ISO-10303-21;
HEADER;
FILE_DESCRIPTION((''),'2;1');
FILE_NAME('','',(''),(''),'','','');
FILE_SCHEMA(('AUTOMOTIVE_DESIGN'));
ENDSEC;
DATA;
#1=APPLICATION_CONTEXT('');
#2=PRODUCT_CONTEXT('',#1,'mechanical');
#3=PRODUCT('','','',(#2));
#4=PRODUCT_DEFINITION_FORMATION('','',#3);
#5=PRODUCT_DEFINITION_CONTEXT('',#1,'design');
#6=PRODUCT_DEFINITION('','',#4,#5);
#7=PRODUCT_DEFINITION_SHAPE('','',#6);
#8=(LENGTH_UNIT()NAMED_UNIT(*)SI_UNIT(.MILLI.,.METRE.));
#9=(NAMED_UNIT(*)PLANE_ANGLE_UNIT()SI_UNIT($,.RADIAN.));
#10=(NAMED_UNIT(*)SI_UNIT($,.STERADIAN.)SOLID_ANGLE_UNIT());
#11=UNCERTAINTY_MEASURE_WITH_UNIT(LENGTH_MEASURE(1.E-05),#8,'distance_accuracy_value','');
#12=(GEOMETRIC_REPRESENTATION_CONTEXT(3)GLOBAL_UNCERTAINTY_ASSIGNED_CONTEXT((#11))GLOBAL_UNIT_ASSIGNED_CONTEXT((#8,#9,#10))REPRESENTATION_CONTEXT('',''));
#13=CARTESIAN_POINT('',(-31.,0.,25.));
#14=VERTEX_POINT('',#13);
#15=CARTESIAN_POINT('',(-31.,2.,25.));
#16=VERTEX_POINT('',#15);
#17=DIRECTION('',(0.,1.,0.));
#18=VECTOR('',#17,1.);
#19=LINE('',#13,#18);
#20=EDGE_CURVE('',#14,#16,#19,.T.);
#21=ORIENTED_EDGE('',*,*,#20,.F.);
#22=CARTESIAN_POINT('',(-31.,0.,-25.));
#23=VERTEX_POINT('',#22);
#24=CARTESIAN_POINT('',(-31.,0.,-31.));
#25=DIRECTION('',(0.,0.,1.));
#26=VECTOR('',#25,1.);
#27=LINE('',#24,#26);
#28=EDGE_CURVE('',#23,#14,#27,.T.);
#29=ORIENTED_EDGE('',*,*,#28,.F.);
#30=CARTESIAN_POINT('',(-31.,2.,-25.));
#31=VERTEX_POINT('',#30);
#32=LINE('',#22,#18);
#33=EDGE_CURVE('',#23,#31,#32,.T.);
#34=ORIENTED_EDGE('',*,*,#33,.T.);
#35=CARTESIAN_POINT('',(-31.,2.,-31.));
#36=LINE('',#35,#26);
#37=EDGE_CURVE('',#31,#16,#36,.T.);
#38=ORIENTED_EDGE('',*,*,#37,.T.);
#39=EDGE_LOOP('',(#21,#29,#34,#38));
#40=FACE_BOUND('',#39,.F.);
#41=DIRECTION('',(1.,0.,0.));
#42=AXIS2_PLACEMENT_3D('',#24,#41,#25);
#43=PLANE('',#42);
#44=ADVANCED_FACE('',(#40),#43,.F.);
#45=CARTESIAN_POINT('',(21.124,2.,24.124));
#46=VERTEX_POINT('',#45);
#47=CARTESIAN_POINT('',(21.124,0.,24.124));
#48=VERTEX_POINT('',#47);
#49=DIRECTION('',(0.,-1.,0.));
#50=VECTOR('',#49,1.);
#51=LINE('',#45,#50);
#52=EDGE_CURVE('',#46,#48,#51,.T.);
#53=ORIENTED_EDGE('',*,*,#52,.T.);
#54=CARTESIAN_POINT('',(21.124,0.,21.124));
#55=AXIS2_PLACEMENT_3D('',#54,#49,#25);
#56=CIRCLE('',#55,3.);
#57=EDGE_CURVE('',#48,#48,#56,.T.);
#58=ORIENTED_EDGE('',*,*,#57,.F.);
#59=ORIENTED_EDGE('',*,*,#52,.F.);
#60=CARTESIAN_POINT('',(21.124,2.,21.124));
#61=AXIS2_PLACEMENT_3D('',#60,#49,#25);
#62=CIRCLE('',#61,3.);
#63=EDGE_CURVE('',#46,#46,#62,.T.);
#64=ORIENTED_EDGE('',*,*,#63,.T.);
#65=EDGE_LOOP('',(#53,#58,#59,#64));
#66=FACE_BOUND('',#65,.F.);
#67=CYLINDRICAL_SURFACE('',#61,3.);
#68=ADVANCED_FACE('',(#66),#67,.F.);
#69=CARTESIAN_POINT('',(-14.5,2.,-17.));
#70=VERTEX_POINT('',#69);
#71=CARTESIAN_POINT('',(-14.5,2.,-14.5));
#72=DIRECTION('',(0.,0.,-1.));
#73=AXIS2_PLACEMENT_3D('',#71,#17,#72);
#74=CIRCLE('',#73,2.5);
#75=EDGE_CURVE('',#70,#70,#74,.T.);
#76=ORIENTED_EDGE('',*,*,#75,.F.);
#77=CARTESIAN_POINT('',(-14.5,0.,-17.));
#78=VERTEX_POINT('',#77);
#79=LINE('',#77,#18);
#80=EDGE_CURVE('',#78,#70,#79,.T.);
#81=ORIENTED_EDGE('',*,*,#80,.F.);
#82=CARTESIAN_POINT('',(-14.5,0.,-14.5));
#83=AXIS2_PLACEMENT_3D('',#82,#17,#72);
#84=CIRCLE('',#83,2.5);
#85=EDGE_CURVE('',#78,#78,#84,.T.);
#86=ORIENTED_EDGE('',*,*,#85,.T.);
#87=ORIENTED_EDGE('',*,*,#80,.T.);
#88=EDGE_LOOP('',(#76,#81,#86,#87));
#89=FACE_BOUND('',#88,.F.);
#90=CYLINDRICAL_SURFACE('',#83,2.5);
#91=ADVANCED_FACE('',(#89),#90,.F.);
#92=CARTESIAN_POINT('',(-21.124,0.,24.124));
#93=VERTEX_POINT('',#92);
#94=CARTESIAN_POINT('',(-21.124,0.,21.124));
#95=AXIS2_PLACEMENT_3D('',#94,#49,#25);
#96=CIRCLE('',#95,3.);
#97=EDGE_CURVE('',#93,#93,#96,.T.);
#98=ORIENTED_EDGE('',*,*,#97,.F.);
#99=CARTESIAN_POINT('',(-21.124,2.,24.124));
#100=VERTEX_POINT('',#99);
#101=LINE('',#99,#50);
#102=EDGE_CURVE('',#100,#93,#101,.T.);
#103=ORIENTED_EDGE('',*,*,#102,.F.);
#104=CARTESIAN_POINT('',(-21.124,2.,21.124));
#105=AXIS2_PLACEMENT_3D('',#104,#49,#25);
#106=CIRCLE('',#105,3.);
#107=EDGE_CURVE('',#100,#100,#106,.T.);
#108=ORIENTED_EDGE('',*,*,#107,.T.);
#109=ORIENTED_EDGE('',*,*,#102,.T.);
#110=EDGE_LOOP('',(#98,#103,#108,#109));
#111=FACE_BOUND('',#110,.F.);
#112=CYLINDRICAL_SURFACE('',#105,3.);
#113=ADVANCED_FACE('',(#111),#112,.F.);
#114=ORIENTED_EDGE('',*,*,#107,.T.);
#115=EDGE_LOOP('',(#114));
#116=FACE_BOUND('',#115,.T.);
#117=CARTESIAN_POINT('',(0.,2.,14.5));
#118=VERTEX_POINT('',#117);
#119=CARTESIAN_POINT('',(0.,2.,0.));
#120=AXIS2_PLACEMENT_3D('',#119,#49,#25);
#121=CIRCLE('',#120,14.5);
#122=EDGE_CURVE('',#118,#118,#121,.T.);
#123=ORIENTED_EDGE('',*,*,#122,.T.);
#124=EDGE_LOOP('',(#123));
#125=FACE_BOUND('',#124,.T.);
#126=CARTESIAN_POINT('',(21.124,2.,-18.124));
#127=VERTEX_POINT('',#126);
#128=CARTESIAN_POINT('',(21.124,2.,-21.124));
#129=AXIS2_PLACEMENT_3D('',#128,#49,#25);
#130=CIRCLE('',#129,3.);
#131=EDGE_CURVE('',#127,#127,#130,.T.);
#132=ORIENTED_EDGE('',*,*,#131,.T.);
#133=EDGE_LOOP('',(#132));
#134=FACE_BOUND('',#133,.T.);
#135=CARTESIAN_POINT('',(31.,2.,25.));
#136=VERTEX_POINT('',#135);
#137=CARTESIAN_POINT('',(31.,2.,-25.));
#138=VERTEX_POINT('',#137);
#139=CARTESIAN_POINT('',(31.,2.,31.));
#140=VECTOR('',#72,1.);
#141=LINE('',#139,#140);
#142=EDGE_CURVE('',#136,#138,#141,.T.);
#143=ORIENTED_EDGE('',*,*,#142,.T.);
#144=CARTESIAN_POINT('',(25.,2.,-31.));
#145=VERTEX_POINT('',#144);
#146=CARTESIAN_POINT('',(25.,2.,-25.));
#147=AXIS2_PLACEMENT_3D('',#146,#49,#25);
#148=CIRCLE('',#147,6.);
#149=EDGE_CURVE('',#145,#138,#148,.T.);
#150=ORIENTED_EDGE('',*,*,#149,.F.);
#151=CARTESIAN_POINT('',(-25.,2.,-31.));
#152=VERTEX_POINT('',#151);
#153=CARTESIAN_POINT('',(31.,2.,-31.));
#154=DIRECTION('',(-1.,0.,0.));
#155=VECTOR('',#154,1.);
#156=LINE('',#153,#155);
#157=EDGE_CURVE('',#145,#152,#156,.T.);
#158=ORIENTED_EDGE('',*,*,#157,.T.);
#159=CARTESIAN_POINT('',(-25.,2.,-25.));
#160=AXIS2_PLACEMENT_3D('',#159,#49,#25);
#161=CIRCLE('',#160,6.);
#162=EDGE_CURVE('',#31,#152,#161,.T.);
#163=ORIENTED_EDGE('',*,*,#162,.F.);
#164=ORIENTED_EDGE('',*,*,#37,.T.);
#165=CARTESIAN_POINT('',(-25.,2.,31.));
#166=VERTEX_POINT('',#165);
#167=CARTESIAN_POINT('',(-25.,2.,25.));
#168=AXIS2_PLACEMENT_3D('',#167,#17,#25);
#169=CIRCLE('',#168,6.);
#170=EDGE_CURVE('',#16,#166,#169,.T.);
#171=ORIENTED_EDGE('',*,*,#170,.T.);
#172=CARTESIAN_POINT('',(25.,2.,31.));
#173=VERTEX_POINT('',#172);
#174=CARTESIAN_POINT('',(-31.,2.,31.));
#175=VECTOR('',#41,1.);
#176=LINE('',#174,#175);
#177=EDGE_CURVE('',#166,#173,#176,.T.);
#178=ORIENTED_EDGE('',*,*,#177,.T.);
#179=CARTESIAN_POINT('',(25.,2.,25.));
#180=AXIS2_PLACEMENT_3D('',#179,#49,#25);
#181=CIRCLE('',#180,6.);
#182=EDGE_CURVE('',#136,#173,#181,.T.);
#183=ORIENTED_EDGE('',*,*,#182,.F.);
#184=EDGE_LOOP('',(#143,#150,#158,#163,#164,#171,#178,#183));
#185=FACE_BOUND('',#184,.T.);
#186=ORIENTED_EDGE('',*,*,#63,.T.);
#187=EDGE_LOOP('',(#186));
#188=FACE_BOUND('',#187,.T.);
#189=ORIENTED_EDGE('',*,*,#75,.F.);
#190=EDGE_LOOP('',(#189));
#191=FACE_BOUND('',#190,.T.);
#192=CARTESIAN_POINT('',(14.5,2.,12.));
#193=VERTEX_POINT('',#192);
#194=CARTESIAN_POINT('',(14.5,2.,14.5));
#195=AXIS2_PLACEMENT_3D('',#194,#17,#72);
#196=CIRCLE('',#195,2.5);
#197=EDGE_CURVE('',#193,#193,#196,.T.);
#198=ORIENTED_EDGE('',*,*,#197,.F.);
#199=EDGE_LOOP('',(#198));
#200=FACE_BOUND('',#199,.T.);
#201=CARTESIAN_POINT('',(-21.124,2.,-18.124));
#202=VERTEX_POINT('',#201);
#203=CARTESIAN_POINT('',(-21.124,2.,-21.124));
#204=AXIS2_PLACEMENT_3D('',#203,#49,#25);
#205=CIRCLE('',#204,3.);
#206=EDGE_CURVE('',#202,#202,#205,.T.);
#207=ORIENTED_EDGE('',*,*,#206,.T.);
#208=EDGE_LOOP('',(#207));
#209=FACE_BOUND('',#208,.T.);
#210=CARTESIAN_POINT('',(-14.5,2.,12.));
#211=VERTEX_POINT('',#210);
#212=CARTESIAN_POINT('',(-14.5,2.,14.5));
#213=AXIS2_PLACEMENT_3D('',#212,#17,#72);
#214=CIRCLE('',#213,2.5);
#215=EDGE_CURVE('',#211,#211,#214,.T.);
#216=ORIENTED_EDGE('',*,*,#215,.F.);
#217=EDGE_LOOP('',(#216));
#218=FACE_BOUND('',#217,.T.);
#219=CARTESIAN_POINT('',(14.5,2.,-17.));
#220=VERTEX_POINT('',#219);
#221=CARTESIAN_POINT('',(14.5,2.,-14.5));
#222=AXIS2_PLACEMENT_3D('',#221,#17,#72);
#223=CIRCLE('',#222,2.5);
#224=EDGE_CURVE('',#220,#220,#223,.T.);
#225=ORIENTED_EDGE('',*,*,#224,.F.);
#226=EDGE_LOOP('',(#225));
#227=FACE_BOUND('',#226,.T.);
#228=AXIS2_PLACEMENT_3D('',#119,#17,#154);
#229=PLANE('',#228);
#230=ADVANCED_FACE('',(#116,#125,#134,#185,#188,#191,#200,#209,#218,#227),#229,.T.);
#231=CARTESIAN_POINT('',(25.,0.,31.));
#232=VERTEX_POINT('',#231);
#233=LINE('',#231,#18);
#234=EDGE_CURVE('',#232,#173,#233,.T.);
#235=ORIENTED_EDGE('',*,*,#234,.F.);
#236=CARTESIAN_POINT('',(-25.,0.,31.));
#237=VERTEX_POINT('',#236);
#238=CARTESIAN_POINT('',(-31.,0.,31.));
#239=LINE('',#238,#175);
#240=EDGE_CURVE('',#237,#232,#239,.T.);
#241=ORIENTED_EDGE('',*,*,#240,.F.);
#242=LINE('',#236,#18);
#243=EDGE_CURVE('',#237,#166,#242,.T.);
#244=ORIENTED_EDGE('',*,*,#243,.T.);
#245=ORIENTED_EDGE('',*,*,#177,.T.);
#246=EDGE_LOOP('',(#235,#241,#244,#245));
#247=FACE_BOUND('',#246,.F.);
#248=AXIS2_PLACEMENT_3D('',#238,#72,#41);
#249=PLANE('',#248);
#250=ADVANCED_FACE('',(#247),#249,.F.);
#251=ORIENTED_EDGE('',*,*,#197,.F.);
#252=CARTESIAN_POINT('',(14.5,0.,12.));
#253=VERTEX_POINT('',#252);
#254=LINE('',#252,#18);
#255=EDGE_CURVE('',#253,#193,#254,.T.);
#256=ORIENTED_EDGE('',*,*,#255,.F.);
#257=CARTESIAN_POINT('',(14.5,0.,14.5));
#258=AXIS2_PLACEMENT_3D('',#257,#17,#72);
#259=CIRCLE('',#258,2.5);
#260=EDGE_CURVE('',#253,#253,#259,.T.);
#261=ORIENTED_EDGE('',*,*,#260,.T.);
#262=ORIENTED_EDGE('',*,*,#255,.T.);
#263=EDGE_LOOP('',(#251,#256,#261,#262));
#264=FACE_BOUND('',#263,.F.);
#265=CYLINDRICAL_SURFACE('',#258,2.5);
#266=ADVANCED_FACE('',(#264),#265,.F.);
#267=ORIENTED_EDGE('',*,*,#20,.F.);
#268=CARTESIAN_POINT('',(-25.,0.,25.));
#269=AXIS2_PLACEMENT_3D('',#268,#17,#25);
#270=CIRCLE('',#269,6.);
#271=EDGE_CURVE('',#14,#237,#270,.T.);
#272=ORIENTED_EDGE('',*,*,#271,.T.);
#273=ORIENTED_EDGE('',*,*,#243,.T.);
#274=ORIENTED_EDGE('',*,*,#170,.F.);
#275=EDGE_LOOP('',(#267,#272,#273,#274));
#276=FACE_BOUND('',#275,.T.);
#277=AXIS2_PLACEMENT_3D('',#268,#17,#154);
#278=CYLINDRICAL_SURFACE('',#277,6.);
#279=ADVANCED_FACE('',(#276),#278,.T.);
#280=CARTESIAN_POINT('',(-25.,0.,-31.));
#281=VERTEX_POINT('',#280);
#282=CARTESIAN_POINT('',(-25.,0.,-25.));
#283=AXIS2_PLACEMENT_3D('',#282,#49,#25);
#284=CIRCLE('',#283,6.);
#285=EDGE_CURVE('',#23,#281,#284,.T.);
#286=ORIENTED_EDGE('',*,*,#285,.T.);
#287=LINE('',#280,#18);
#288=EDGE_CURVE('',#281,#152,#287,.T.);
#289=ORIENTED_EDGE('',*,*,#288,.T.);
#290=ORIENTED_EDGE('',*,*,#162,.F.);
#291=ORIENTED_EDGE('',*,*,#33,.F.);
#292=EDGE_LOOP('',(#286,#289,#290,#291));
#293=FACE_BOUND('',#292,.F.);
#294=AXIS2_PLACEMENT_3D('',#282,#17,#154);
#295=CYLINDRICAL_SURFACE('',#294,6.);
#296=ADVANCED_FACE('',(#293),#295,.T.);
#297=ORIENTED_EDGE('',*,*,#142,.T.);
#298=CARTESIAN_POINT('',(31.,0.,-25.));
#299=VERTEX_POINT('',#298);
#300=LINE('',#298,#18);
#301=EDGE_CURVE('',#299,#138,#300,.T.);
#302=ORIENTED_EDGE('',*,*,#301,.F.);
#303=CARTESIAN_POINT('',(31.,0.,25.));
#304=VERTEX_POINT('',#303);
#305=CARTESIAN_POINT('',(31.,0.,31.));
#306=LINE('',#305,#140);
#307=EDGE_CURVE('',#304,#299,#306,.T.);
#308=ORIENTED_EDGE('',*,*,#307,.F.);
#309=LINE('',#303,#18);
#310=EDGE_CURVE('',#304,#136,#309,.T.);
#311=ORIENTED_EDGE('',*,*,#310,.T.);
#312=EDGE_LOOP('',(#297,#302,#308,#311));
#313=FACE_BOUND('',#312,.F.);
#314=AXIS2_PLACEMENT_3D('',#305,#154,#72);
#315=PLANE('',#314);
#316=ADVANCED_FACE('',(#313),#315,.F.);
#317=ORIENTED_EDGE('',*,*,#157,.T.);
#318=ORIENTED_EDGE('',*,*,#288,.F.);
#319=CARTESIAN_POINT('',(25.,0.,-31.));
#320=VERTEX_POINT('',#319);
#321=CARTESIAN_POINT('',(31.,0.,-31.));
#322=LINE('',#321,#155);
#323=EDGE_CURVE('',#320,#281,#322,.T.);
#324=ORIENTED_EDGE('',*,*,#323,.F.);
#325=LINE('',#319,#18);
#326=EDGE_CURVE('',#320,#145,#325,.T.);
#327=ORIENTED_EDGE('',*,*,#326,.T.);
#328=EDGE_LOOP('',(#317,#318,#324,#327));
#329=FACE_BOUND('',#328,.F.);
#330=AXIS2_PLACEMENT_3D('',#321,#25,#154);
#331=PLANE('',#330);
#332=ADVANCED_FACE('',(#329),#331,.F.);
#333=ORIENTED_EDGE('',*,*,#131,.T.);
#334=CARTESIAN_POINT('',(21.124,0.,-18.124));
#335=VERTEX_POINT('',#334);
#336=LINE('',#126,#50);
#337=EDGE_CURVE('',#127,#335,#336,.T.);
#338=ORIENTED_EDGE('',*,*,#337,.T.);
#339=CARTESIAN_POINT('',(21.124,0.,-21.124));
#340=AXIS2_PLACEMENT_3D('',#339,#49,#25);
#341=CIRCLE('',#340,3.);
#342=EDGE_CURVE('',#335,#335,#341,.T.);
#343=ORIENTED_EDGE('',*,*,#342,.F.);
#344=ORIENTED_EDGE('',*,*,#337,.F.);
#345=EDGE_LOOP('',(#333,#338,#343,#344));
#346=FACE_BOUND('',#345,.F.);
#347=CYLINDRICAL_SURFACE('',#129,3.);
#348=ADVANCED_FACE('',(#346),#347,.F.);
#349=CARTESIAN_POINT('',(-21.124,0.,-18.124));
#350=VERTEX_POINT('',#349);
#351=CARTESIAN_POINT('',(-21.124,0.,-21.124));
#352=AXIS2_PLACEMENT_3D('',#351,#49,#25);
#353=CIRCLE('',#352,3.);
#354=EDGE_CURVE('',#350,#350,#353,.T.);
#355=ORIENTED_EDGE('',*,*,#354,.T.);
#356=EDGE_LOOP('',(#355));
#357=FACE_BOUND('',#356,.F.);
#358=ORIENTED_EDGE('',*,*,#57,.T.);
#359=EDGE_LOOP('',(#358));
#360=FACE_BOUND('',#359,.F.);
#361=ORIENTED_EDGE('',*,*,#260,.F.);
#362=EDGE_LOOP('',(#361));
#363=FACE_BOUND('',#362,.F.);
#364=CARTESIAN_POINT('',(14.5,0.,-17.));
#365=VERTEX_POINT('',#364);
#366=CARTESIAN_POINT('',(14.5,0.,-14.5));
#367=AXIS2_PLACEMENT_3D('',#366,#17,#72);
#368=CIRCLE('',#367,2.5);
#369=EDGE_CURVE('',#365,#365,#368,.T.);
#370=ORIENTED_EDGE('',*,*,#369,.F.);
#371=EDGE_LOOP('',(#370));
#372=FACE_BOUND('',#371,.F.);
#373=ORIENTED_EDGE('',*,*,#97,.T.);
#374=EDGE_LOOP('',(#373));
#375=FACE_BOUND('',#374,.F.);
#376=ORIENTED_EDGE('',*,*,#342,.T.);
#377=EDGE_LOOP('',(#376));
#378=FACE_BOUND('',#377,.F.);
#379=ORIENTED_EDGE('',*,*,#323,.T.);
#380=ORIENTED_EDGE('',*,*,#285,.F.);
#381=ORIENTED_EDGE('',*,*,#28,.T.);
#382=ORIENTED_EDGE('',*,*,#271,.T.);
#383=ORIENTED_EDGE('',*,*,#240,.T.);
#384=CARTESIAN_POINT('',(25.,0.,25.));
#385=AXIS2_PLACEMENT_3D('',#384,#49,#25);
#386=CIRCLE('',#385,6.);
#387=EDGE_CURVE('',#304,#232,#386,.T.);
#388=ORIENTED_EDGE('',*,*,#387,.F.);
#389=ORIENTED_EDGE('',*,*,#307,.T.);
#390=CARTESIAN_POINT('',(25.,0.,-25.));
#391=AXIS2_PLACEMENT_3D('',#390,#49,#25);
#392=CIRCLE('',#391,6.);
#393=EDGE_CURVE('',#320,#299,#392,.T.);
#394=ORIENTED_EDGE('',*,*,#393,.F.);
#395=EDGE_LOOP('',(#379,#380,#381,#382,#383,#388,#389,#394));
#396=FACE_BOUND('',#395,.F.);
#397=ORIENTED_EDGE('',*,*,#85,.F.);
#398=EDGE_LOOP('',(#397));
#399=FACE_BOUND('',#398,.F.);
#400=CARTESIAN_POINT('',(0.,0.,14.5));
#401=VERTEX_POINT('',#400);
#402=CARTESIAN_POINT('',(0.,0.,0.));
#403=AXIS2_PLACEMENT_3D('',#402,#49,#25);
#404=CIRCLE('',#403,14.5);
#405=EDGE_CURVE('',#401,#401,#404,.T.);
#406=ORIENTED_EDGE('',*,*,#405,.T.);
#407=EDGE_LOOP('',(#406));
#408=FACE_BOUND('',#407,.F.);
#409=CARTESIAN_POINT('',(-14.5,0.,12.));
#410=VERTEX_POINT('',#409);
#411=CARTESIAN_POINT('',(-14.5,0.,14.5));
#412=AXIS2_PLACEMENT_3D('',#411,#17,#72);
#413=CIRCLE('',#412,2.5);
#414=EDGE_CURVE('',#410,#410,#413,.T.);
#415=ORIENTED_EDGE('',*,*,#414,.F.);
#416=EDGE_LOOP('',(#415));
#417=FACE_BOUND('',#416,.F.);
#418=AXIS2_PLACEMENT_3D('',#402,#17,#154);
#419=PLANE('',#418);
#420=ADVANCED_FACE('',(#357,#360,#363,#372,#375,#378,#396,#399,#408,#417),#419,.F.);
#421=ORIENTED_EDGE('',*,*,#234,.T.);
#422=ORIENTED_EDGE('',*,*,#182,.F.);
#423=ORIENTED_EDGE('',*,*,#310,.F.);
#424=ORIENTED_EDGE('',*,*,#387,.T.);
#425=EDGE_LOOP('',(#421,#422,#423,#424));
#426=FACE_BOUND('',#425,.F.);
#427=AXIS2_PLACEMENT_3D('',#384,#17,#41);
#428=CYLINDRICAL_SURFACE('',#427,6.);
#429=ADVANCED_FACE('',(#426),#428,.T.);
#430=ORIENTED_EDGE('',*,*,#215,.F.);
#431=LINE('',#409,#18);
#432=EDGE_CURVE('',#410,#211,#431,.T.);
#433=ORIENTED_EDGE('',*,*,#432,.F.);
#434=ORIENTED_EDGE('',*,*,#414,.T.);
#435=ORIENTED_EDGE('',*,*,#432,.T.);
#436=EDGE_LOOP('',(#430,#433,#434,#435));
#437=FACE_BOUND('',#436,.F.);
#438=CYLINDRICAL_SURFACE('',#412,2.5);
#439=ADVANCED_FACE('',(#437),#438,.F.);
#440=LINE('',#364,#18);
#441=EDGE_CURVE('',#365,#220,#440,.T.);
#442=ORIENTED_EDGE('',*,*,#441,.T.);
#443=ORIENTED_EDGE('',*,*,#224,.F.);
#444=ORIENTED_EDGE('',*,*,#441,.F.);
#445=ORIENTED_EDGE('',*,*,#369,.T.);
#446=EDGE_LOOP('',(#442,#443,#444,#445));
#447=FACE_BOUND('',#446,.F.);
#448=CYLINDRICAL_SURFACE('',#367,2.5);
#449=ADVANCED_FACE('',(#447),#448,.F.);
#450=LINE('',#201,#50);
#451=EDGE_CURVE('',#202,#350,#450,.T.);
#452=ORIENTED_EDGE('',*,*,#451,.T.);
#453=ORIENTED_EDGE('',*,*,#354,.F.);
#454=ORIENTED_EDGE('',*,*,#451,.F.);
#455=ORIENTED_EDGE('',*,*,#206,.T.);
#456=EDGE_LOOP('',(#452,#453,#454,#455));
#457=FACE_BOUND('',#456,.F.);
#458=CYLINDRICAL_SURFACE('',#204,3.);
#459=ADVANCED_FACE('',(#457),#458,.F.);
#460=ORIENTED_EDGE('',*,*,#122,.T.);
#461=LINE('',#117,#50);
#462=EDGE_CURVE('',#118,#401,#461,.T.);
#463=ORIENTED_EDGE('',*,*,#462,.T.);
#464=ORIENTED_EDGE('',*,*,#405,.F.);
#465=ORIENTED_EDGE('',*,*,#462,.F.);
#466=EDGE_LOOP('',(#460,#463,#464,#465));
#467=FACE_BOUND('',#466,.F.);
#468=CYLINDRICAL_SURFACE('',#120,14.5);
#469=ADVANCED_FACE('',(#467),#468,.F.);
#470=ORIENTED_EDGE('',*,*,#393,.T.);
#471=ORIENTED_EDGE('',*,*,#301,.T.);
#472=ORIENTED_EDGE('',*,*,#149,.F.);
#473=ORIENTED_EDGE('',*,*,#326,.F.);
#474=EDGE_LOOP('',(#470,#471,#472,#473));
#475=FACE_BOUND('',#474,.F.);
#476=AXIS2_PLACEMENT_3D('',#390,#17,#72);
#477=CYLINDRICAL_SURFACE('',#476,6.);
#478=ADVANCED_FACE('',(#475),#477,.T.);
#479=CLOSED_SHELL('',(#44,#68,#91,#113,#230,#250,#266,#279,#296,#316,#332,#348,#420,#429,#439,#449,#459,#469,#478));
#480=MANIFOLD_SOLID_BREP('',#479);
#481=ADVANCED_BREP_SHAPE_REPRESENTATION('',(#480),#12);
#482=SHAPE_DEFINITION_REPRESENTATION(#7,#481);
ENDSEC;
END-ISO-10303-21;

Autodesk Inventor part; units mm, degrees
ref_plane "YZ Plane" through (0, 0, 0) normal (1, 0, 0) x (0, 1, 0)
ref_plane "XZ Plane" through (0, 0, 0) normal (0, 1, 0) x (-1, 0, 0)
ref_plane "XY Plane" through (0, 0, 0) normal (0, 0, 1) x (1, 0, 0)
sketch "Skizze1" plane through (0, 0, 0) normal (0, 1, 0) x (-1, 0, 0)
  line L0 (31, 31) -> (-31, 31)
  line L1 (-31, 31) -> (-31, -31)
  line L2 (-31, -31) -> (31, -31)
  line L3 (31, -31) -> (31, 31)
  line L4 (31, 31) -> (-31, -31) construction
  line L5 (-31, 31) -> (31, -31) construction
  point P0 (0, 0)
  dimension "d0" = 62
  dimension "d1" = 62
extrude "Extrusion1" add sketch "Skizze1" along normal blind 2
fillet "Rundung1" radius 6 4 edges at (-31, 1, 31) (31, 1, 31) (31, 1, -31) (-31, 1, -31)
sketch "Skizze2" plane through (0, 2, 0) normal (0, 1, 0) x (1, 0, 0)
  line L0 (-25, -31) -> (25, -31) projected
  line L1 (0, -31) -> (0, 31) construction
  line L2 (25, 31) -> (-25, 31) projected
  line L3 (31, -25) -> (31, 25) projected
  line L4 (31, 0) -> (-31, 0) construction
  line L5 (-31, 25) -> (-31, -25) projected
  point P0 (0, 0)
  point P1 (21.124, 21.124)
  point P2 (21.124, -21.124)
  point P3 (-21.124, 21.124)
  point P4 (-21.124, -21.124)
  dimension "d37" = 42.248
  dimension "d38" = 42.248
  dimension "d39" = 42.248
hole "Bohrung1" at (21.124, 2, -21.124) at (21.124, 2, 21.124) at (-21.124, 2, -21.124) at (-21.124, 2, 21.124) direction (0, -1, 0) diameter 6 depth 2
hole "Bohrung2" at (0, 2, 0) direction (0, -1, 0) diameter 29 depth 2
sketch "Skizze3" plane through (0, 0, 0) normal (0, -1, 0) x (1, 0, 0)
  point P0 (0, 0)
  point P1 (-14.5, 14.5)
  point P2 (14.5, 14.5)
  point P3 (-14.5, -14.5)
  point P4 (14.5, -14.5)
  dimension "d33" = 29
  dimension "d34" = 14.5
  dimension "d35" = 29
  dimension "d36" = 14.5
hole "Bohrung3" at (-14.5, 0, 14.5) at (14.5, 0, 14.5) at (-14.5, 0, -14.5) at (14.5, 0, -14.5) direction (0, 1, 0) diameter 5 depth 2
equation "\"d37\" = d38"
equation "\"d39\" = d38"
properties part number "12"
